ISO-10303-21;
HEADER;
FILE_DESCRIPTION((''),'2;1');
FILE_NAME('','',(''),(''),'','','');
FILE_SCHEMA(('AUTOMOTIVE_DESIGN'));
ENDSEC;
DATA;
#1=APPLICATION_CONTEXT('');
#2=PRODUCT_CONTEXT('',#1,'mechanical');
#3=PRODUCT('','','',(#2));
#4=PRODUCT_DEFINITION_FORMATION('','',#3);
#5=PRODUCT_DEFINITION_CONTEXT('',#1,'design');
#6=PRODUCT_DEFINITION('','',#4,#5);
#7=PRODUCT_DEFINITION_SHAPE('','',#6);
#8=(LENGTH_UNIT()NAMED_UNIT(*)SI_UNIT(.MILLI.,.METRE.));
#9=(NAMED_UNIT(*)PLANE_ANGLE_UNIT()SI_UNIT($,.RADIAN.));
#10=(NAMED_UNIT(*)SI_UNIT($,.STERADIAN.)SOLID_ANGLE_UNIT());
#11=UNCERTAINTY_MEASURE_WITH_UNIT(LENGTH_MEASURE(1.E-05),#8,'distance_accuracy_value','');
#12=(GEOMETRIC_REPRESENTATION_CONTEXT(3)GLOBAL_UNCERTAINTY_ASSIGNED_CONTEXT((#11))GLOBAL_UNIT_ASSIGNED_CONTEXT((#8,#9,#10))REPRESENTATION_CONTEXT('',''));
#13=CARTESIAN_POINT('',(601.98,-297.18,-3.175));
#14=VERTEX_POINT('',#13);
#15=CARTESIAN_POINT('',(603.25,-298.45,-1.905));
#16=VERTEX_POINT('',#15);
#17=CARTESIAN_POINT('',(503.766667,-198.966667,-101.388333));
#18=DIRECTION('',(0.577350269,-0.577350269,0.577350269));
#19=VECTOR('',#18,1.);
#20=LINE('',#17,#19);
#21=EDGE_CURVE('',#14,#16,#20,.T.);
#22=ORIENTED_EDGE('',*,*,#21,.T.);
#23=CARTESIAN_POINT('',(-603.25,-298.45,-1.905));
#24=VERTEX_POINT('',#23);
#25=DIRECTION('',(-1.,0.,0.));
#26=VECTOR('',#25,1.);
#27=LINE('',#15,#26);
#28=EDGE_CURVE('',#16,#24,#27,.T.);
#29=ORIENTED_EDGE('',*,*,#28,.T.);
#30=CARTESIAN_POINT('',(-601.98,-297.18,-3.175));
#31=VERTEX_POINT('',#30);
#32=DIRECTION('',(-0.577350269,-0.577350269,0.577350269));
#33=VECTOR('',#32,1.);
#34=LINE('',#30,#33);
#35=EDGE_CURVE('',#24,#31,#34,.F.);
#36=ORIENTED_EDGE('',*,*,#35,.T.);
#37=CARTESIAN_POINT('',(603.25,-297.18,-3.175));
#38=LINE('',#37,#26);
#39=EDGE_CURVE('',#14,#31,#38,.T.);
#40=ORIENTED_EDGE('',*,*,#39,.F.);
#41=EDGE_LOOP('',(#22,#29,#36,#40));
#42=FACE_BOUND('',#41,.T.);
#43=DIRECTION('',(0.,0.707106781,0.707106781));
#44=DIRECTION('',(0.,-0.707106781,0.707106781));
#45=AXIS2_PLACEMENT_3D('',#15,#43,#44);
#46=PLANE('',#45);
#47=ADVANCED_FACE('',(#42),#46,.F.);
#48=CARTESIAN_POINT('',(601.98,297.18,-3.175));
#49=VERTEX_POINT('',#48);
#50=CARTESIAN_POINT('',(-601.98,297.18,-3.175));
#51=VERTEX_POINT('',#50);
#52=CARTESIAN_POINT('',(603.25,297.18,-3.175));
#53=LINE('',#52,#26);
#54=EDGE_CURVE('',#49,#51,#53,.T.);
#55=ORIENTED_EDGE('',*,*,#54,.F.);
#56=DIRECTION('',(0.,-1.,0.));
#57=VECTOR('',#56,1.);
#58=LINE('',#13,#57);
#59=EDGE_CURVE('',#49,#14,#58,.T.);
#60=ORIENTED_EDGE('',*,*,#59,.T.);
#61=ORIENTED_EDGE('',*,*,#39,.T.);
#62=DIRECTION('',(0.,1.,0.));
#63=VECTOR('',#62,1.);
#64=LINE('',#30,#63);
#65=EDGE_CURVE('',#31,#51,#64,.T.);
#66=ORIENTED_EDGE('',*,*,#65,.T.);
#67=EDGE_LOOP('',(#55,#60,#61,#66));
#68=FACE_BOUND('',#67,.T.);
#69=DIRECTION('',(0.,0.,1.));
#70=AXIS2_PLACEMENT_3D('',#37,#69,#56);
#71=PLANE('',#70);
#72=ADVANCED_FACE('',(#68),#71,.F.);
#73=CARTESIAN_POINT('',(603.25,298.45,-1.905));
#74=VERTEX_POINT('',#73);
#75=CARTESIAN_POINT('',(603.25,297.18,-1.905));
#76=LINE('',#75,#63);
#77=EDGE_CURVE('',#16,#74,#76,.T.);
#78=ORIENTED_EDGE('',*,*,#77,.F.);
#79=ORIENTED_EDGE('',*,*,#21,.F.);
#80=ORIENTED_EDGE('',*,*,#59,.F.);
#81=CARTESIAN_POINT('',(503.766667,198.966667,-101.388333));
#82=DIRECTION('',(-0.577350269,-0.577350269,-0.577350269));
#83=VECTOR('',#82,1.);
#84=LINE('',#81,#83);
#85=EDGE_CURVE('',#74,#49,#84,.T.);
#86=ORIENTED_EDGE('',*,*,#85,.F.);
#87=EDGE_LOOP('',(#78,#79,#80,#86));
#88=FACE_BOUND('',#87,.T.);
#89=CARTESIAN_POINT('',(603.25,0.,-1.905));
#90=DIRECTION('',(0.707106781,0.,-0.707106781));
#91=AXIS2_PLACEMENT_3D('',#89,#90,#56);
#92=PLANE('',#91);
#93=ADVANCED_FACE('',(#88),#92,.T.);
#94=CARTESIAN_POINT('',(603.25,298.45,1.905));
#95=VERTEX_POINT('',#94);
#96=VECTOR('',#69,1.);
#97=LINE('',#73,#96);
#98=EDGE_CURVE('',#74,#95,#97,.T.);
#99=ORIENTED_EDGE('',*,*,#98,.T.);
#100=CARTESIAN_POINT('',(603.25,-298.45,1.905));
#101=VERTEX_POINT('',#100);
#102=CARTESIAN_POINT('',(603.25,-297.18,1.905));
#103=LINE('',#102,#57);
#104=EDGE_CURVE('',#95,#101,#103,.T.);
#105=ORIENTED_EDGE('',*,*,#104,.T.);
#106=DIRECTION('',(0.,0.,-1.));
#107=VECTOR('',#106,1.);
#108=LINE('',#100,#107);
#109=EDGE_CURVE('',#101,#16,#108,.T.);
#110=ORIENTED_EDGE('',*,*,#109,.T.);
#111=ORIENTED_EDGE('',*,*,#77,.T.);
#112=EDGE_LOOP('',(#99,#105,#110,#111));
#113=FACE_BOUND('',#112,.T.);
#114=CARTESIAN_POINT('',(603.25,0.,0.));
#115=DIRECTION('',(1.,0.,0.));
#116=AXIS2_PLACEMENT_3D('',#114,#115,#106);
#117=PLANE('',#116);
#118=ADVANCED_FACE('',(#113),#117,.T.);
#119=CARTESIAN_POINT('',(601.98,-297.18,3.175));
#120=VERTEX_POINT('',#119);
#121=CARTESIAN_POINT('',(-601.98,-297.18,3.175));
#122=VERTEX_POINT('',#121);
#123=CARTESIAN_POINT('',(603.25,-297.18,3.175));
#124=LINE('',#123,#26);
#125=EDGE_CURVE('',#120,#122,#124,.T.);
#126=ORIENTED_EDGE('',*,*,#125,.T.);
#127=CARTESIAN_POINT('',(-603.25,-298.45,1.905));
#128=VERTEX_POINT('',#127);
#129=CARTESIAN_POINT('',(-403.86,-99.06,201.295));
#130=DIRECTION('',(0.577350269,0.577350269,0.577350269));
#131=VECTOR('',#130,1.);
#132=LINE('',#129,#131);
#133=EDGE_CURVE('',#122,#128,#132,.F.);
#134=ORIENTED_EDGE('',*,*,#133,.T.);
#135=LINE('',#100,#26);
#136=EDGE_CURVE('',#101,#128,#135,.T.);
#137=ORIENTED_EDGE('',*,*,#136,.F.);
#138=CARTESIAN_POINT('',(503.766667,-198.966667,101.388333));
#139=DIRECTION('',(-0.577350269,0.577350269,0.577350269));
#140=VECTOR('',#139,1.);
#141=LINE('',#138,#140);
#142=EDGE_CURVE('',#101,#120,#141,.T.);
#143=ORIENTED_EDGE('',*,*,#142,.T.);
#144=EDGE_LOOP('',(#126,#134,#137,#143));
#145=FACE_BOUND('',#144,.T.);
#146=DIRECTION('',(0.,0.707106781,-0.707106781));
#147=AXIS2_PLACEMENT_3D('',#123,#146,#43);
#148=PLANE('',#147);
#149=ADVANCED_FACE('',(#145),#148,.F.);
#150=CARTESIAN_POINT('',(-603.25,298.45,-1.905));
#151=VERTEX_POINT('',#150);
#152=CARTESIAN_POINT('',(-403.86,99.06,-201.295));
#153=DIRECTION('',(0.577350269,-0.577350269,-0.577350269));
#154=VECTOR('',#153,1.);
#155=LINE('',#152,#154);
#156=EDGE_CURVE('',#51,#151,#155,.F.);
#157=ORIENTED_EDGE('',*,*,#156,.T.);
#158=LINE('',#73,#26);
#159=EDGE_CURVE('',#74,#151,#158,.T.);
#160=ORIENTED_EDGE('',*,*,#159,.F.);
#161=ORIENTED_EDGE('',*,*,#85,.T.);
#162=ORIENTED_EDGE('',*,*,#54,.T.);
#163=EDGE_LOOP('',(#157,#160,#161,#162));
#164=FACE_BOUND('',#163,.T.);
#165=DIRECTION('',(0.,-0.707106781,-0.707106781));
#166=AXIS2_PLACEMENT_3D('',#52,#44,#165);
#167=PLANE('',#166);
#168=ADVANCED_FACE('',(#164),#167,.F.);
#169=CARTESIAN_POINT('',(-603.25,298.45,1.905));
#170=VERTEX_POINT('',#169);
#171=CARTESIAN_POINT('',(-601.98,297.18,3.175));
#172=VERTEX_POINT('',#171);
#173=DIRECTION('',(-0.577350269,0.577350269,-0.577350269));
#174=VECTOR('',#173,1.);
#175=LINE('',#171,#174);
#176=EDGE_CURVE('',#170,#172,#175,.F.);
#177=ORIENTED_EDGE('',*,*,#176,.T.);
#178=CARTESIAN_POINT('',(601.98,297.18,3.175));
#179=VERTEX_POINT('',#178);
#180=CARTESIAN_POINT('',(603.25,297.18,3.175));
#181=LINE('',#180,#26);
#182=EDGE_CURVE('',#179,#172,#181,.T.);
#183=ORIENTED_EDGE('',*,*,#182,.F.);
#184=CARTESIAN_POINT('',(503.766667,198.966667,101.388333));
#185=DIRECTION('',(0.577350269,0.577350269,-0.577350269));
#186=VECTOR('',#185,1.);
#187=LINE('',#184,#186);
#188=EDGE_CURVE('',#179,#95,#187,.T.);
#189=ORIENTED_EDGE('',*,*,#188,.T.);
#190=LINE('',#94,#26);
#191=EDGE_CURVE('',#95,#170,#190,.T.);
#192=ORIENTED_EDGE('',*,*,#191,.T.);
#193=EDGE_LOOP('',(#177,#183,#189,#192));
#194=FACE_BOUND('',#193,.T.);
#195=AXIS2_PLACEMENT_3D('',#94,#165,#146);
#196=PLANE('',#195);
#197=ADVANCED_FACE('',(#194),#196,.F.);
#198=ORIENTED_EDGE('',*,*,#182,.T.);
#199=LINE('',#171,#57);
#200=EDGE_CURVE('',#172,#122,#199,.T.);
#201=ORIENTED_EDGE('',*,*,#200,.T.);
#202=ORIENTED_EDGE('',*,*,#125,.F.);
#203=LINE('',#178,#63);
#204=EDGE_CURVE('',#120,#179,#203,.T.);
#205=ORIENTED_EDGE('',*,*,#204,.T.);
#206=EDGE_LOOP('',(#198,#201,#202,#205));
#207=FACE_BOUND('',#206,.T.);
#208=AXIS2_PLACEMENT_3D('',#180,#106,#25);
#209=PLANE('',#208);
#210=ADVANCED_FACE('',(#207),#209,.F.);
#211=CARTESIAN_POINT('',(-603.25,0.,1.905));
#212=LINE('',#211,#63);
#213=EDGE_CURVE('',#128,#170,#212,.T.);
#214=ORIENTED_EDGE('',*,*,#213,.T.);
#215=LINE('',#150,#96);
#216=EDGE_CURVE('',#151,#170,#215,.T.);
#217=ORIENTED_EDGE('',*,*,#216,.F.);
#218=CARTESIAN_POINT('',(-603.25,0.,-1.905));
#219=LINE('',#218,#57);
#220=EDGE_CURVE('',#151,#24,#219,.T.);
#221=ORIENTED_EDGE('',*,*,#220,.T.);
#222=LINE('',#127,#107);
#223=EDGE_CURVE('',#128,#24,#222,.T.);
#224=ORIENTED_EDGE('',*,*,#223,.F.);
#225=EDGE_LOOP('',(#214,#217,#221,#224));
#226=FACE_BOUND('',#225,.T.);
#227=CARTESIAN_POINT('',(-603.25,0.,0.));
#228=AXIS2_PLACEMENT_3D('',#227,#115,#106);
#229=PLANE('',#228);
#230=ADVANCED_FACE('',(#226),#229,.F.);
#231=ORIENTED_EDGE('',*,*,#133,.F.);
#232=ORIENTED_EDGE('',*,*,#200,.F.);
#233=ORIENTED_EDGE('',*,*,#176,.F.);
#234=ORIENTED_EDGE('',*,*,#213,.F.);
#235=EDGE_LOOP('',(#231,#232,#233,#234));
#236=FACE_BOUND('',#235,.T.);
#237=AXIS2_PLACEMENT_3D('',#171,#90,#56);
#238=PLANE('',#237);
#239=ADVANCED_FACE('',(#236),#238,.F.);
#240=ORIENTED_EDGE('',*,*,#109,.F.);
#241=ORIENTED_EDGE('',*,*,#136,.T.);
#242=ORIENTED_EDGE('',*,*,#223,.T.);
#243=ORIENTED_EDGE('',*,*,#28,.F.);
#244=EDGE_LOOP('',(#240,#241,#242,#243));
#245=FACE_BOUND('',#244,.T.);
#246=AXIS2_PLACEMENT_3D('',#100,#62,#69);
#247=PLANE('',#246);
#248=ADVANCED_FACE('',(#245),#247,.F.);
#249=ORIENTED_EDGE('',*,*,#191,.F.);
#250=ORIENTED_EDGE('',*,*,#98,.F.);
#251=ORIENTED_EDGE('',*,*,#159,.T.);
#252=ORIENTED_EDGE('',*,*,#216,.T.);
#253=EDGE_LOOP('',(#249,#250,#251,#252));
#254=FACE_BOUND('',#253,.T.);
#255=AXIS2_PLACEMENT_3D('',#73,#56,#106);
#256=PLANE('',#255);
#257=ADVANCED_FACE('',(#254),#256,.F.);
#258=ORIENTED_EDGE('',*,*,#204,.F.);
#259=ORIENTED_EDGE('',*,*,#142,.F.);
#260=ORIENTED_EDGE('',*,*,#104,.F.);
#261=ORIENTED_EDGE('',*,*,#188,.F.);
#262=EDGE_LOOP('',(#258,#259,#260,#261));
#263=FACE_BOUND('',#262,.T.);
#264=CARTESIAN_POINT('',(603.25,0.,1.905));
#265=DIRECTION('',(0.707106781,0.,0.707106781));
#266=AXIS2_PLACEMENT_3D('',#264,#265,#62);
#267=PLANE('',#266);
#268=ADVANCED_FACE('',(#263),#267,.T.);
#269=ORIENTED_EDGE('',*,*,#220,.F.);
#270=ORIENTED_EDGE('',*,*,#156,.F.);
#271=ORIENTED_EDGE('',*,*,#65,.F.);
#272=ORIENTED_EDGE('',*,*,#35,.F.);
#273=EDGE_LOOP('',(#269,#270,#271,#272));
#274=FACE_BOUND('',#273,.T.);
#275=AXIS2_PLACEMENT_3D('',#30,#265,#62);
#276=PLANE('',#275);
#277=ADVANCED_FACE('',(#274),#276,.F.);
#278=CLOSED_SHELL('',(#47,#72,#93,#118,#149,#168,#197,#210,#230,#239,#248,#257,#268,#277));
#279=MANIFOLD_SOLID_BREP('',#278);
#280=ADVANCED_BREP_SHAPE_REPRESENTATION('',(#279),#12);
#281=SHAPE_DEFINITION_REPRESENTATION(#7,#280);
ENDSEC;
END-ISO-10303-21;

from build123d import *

# Parameters (mm, degrees)
BOSS_EXTRUDE1_DEPTH      = 603.25
BOSS_EXTRUDE1_DEPTH_BACK = 603.25
CHAMFER1_SIZE            = 1.27


with BuildPart() as part:
    # Sketch1 → Boss-Extrude1 (new body, two sides)
    with BuildSketch(Plane(origin=(0, 0, 0), x_dir=(0, 0, -1), z_dir=(1, 0, 0))) as boss_extrude1_sk:
        Polygon((3.175, -297.18), (3.175, 297.18), (1.905, 298.45), (-1.905, 298.45), (-3.175, 297.18), (-3.175, -297.18), (-1.905, -298.45), (1.905, -298.45), align=None)
    extrude(amount=BOSS_EXTRUDE1_DEPTH)
    extrude(boss_extrude1_sk.sketch, amount=-BOSS_EXTRUDE1_DEPTH_BACK)

    # Chamfer1
    chamfer1_edges = [part.edges().sort_by_distance(p)[0] for p in [
        (-603.25, 0, -3.175),
        (-603.25, 0, 3.175),
        (603.25, 0, -3.175),
        (603.25, 0, 3.175),
    ]]
    chamfer(chamfer1_edges, length=CHAMFER1_SIZE)


solid = part.part
